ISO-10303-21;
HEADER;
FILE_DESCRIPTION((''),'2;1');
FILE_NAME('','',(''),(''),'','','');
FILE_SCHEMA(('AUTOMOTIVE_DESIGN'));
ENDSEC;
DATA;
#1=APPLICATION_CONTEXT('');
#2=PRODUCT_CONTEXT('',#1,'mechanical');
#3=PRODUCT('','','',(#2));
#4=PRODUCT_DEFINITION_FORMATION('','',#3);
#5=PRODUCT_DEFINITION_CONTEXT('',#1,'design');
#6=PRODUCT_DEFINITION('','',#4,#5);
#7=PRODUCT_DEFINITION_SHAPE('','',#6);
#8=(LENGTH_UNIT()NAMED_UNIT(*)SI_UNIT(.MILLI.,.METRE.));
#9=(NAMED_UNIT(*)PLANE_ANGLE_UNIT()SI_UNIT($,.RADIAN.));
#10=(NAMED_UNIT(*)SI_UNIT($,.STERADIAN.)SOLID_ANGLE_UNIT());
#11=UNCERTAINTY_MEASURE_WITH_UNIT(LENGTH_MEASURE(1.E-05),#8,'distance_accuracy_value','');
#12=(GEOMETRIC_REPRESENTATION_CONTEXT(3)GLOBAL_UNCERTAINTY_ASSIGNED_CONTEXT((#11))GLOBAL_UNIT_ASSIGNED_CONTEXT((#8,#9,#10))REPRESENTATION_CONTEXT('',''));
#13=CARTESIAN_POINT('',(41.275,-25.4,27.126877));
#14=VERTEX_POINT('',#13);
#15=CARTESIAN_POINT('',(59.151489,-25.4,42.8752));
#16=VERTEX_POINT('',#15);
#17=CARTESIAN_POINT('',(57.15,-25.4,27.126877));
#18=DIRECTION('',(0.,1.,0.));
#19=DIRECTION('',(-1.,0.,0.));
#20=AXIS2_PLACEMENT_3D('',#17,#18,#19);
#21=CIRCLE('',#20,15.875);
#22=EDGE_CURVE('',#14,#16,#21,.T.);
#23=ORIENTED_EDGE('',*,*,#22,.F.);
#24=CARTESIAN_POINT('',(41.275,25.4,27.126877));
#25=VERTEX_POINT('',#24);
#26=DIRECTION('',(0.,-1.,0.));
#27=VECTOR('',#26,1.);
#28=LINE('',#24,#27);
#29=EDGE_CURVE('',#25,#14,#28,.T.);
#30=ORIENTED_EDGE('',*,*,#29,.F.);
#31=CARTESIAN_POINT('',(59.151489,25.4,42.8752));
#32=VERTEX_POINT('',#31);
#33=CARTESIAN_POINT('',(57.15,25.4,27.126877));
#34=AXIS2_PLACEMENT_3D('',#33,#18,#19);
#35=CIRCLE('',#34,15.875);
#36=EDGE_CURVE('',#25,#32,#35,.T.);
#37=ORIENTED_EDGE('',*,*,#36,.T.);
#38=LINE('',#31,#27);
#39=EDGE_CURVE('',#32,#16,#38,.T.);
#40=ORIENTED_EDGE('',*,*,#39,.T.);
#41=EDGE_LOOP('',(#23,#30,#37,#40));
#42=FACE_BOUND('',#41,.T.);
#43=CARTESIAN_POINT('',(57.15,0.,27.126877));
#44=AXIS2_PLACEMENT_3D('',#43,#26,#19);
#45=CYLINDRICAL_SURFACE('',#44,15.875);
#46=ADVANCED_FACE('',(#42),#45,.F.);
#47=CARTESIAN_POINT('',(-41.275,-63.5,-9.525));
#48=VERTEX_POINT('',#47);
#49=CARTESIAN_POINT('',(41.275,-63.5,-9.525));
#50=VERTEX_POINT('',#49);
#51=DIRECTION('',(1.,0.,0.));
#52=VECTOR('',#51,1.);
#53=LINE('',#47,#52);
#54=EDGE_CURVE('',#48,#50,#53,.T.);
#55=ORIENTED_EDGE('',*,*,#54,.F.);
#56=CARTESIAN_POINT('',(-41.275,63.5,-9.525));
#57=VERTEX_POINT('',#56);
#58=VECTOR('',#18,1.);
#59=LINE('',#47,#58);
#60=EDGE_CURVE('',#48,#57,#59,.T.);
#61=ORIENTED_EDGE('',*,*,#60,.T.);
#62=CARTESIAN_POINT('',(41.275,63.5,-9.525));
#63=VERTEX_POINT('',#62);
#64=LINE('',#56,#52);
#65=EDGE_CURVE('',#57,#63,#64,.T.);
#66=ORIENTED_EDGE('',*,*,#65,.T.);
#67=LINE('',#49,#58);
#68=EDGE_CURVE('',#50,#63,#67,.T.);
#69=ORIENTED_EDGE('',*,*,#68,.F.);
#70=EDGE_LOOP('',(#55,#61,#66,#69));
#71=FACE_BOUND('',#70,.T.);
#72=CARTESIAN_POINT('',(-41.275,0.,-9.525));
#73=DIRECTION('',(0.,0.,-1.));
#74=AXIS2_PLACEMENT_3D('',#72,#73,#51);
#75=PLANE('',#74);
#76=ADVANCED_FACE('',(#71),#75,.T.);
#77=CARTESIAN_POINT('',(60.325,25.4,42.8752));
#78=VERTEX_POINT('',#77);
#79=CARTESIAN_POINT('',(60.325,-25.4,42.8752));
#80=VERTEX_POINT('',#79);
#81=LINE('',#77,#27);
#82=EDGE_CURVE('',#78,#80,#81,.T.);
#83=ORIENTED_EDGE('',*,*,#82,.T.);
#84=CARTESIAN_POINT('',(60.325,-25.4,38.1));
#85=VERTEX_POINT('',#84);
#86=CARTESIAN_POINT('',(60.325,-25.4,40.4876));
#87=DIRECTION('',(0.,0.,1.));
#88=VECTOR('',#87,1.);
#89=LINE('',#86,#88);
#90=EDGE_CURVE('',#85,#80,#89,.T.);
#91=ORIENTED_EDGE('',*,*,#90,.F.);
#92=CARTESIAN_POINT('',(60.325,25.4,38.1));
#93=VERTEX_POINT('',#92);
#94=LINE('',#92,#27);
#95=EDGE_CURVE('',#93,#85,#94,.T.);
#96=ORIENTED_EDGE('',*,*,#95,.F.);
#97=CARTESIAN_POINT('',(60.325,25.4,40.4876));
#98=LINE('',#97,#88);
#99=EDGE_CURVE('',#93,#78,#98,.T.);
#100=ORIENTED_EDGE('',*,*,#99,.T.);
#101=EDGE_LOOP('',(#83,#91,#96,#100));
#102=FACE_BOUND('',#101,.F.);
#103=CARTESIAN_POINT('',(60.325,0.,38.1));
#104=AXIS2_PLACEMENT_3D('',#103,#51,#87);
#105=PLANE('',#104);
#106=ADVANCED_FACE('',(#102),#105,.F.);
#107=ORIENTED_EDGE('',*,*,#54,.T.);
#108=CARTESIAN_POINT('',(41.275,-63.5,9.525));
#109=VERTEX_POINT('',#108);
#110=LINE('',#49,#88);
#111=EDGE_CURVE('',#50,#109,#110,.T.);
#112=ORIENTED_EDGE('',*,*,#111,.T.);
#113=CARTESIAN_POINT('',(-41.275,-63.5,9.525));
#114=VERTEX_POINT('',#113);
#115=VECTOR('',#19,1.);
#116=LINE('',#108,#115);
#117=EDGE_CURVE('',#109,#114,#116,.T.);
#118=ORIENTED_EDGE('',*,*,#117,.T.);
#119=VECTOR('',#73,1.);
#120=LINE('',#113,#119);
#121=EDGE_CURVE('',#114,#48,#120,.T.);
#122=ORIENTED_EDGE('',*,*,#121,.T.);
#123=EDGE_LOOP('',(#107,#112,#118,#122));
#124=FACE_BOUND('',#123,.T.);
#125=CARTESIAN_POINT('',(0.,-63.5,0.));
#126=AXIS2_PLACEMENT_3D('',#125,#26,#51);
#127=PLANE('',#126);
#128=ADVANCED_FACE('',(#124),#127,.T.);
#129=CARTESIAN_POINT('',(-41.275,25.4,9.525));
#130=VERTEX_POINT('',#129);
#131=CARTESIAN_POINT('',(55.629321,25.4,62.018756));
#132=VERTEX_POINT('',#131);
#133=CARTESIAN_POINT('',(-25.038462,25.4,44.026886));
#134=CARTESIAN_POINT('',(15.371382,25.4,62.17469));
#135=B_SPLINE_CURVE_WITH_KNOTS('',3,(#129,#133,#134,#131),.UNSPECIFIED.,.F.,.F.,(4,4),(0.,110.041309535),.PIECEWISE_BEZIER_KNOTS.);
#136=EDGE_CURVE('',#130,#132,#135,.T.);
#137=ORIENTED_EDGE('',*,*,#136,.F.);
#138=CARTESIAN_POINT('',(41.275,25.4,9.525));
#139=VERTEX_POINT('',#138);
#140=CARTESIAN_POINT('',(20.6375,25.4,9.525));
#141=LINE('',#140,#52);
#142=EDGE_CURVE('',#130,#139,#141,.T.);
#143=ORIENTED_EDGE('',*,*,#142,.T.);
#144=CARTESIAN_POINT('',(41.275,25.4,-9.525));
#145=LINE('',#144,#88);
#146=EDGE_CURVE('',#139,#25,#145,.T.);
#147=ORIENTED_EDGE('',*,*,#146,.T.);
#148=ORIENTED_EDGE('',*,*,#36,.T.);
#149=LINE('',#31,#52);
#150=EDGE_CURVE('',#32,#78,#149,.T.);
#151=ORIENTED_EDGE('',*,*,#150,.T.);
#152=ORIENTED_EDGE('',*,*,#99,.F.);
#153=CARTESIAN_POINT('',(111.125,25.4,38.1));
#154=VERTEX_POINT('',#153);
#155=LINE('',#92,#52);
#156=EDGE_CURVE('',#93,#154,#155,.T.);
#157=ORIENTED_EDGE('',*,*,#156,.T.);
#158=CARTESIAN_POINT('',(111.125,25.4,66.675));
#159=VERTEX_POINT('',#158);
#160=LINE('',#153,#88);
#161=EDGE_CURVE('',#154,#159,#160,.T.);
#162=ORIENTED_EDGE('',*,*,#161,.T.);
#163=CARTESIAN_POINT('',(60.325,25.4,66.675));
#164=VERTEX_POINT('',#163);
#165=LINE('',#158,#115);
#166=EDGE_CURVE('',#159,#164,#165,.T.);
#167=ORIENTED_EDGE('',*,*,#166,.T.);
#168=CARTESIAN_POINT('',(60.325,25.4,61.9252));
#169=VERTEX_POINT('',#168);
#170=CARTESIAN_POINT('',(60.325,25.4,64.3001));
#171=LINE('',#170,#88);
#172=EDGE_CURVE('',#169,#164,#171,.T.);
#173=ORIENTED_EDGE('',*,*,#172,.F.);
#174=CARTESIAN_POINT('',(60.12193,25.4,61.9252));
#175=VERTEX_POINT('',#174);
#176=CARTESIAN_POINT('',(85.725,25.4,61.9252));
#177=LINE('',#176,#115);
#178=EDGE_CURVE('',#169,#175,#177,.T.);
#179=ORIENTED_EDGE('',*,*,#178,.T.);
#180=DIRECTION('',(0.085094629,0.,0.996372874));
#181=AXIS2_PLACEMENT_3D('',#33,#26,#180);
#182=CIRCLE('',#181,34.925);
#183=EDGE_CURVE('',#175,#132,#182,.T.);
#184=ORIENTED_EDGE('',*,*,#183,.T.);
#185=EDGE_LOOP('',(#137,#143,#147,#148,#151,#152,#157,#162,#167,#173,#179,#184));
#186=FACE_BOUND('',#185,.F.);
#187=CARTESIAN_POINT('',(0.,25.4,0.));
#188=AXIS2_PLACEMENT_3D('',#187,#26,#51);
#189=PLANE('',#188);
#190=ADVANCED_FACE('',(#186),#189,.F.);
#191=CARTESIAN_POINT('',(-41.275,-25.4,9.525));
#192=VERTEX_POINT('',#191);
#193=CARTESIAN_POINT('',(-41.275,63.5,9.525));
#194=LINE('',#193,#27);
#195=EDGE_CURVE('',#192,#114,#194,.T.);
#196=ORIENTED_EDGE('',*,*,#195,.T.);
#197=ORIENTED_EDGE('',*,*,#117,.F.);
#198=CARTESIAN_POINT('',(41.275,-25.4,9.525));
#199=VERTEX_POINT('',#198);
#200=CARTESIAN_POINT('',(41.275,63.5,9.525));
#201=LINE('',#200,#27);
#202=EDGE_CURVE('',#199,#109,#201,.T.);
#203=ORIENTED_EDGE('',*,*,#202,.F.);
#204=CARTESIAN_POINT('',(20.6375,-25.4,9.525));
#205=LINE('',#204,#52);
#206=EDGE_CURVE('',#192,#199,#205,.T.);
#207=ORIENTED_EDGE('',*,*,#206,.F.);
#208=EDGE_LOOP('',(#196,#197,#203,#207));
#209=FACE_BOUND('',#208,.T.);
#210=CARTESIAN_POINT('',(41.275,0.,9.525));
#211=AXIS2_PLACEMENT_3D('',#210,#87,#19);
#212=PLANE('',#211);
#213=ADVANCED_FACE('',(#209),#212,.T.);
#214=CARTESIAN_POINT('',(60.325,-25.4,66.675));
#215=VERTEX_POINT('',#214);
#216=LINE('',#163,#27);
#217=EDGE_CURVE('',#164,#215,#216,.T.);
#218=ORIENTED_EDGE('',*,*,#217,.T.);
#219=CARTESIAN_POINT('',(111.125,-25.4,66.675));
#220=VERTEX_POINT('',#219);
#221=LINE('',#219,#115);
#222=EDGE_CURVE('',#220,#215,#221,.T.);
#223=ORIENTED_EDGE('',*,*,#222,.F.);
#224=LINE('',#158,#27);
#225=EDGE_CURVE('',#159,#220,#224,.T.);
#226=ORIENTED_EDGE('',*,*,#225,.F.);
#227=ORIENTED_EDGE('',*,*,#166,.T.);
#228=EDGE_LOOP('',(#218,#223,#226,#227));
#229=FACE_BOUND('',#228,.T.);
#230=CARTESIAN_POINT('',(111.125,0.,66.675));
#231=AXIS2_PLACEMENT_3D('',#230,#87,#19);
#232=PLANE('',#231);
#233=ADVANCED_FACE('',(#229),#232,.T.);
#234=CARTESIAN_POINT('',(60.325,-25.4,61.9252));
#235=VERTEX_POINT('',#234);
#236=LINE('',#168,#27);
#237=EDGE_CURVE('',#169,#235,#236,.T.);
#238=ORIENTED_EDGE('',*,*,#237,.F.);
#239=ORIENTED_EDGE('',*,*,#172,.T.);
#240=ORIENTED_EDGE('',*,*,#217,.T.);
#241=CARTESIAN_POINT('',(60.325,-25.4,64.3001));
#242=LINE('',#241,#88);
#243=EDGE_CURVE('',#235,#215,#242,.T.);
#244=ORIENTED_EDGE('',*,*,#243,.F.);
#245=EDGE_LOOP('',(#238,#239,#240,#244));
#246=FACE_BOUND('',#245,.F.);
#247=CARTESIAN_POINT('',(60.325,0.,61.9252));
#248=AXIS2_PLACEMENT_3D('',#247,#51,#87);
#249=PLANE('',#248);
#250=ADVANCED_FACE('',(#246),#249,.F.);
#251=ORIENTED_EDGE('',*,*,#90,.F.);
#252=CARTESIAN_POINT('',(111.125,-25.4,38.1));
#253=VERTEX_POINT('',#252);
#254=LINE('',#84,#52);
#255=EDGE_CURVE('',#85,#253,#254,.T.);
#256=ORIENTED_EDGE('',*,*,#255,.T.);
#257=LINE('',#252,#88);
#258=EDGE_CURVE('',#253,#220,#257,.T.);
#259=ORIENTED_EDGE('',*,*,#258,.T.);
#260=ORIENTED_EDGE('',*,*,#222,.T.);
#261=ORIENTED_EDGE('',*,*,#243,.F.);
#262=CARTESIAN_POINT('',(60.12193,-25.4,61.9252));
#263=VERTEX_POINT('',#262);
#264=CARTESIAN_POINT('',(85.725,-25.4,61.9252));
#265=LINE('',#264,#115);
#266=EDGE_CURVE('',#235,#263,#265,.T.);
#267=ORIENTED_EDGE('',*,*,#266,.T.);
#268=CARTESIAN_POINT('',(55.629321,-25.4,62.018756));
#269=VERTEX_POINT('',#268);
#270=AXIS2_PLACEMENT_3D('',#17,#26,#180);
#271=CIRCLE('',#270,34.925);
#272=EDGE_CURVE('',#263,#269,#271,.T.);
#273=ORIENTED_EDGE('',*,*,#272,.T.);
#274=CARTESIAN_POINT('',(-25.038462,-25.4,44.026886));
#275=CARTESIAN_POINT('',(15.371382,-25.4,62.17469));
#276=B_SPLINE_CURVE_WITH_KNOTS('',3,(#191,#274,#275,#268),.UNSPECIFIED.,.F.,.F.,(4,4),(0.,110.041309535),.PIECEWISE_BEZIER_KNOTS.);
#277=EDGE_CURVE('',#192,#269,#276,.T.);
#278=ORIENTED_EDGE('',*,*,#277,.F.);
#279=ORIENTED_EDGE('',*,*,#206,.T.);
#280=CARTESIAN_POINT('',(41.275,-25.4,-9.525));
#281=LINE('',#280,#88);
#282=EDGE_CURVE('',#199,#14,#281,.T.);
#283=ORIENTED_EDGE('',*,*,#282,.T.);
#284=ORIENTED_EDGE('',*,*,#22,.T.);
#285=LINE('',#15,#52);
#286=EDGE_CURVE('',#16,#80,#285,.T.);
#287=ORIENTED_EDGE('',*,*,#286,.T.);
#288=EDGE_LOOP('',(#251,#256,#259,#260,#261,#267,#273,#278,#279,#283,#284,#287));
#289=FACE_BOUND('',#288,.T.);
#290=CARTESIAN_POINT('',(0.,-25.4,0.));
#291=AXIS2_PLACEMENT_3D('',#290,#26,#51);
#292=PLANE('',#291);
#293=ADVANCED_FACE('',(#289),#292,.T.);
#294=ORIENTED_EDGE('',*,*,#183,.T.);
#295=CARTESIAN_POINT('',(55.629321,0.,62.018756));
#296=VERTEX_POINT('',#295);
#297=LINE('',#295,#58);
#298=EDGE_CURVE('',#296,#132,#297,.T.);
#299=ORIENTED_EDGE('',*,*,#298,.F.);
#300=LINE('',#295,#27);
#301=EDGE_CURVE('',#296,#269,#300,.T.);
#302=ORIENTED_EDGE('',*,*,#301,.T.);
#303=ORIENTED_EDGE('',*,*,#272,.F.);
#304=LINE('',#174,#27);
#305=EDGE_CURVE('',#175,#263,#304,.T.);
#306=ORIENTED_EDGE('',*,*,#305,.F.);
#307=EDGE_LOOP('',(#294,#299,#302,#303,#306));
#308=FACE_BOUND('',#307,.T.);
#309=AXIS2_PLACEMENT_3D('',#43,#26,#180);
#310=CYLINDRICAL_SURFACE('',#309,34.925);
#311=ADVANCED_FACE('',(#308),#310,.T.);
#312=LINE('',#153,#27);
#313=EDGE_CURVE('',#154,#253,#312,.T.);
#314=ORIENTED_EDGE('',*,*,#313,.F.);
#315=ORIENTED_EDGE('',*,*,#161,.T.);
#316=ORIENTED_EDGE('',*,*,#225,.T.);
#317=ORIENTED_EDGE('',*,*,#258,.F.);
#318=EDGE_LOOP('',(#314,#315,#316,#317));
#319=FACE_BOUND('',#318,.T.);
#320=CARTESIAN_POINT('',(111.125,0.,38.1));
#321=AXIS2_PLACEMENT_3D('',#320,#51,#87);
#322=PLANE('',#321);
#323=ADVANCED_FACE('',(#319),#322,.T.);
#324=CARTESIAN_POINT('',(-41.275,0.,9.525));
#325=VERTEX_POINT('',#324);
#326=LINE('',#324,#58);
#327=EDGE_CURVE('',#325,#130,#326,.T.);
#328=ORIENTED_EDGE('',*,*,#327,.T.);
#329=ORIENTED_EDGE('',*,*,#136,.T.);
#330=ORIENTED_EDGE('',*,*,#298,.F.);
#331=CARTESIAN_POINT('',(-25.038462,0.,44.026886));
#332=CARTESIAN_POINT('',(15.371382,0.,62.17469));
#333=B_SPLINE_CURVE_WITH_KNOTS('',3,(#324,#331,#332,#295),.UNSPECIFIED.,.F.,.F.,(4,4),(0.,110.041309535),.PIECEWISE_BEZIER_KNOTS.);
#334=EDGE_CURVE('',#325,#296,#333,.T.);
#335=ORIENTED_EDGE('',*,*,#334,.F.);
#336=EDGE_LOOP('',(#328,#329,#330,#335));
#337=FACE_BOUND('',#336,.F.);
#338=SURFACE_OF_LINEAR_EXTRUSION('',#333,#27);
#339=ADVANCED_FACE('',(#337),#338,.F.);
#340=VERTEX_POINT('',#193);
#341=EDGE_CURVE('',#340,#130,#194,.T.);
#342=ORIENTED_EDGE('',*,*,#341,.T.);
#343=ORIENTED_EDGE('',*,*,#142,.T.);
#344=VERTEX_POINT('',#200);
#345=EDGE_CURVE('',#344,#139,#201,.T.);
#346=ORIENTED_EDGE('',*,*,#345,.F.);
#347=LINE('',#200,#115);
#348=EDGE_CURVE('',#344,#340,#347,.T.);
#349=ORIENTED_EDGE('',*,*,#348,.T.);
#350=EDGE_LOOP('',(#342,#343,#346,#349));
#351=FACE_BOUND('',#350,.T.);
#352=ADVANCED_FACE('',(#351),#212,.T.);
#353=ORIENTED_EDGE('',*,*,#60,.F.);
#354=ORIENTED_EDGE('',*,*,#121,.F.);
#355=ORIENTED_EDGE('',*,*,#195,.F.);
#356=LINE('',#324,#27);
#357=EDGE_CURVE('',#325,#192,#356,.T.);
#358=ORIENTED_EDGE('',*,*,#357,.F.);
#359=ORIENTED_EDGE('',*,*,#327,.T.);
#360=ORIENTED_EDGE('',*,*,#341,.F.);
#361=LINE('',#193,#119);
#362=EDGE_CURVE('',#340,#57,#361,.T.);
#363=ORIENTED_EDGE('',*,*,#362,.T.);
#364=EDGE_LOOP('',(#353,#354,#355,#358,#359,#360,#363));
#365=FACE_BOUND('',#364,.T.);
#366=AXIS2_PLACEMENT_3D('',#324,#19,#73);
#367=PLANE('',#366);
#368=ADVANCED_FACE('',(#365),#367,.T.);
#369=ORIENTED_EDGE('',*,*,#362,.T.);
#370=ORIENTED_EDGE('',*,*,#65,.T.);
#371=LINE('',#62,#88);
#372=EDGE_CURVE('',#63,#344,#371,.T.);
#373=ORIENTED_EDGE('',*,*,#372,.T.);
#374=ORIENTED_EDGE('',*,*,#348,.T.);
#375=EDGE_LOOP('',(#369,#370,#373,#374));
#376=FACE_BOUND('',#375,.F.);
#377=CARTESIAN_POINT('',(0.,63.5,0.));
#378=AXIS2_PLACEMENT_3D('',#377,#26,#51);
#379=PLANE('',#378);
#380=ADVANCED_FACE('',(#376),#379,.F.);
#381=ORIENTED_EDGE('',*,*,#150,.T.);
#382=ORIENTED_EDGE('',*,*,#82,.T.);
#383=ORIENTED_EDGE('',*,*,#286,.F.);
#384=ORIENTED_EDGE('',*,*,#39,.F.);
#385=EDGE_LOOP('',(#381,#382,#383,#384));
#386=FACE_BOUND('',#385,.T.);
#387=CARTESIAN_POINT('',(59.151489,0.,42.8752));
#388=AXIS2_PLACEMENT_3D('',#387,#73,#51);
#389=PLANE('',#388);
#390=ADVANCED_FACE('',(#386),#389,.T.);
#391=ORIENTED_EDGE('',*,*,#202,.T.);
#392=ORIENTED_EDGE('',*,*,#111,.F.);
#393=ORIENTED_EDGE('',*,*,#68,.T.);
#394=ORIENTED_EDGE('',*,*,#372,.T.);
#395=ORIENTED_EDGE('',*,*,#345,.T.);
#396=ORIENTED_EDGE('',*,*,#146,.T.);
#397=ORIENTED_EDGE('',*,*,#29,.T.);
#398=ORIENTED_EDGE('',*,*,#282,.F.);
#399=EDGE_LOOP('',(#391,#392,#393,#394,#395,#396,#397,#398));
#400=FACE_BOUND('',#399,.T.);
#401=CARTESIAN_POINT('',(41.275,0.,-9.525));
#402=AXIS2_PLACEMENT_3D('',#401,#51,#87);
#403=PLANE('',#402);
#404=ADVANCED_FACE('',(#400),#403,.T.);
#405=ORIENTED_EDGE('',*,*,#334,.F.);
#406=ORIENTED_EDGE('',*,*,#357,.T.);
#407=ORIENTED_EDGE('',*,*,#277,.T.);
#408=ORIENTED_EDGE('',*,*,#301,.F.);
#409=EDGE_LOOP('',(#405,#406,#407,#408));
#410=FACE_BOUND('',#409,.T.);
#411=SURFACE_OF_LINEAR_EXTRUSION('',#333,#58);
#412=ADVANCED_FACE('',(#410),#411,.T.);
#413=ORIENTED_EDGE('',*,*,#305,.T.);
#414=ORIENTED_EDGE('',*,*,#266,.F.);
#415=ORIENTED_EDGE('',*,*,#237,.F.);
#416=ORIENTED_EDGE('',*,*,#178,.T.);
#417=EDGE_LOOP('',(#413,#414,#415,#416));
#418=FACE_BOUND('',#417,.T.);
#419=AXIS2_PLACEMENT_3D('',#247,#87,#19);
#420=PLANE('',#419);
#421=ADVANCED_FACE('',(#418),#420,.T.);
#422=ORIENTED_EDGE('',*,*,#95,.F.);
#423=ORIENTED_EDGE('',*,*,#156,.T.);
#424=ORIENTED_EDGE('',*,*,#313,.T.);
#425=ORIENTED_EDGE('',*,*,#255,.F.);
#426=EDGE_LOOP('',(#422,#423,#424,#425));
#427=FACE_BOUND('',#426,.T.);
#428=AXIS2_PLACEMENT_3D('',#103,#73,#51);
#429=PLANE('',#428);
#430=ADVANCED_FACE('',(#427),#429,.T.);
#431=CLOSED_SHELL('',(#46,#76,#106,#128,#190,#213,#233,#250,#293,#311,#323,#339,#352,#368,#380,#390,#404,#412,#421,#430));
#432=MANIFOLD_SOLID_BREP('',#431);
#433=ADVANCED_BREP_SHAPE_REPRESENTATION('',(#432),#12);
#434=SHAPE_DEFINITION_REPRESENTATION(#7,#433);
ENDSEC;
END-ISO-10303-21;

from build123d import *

# Parameters (mm, degrees)
F1_DEPTH = 63.5
F0_W     = 25.4
F0_H     = 4.7752
F0_H_2   = 19.05
F0_H_3   = 4.7498
F2_DEPTH = 25.4


with BuildPart() as f1:
    # F0 (on Front) → F1 (new body, symmetric)
    with BuildSketch(Plane.XZ):
        Polygon((41.275, -9.525), (41.275, 9.525), (22.225, 9.525), (-41.275, 9.525), (-41.275, -9.525), align=None)
    extrude(amount=F1_DEPTH, both=True)

    # F0 (on Front) → F2 (join, symmetric)
    with BuildSketch(Plane.XZ):
        Polygon((41.275, -9.525), (41.275, 9.525), (22.225, 9.525), (-41.275, 9.525), (-41.275, -9.525), align=None)
        with BuildLine():
            Line((22.225, 9.525), (41.275, 9.525))
            Line((41.275, 9.525), (41.275, 27.1268773741))
            ThreePointArc((41.275, 27.1268773741), (46.6561450803, 39.0388307792), (59.1514893133, 42.8752))
            Line((59.1514893133, 42.8752), (60.325, 42.8752))
            Line((60.325, 42.8752), (60.325, 61.9252))
            Line((60.325, 61.9252), (60.121929916, 61.9252))
            add(Edge.make_bspline(
                [(55.6293208142, 62.0187555095), (57.127485442, 62.0129525409), (58.6254396967, 61.9818008646), (60.121929916, 61.9252)],
                knots=[110.0413095345, 110.0413095345, 110.0413095345, 110.0413095345, 114.1364024158, 114.1364024158, 114.1364024158, 114.1364024158], degree=3))
            ThreePointArc((55.6293208142, 62.0187555095), (31.9223827367, 51.2789570407), (22.225, 27.1268773741))
            Line((22.225, 27.1268773741), (22.225, 9.525))
        make_face()
        with BuildLine():
            Line((-41.275, 9.525), (22.225, 9.525))
            Line((22.225, 9.525), (22.225, 27.1268773741))
            ThreePointArc((22.225, 27.1268773741), (31.9223827367, 51.2789570407), (55.6293208142, 62.0187555095))
            add(Edge.make_bspline(
                [(-41.275, 9.525), (-25.0384619127, 44.0268856749), (15.3713822736, 62.1746900101), (55.6293208142, 62.0187555095)],
                knots=[0, 0, 0, 0, 110.0413095345, 110.0413095345, 110.0413095345, 110.0413095345], degree=3))
        make_face()
        with BuildLine():
            ThreePointArc((60.121929916, 61.9252), (57.877131576, 62.0443071861), (55.6293208142, 62.0187555095))
            add(Edge.make_bspline(
                [(55.6293208142, 62.0187555095), (57.127485442, 62.0129525409), (58.6254396967, 61.9818008646), (60.121929916, 61.9252)],
                knots=[110.0413095345, 110.0413095345, 110.0413095345, 110.0413095345, 114.1364024158, 114.1364024158, 114.1364024158, 114.1364024158], degree=3))
        make_face()
        with Locations((73.025, 40.4876)):
            Rectangle(F0_W, F0_H)
        with Locations((73.025, 52.4002)):
            Rectangle(F0_W, F0_H_2)
        with Locations((73.025, 64.3001)):
            Rectangle(F0_W, F0_H_3)
        Polygon((85.725, 61.9252), (85.725, 42.8752), (85.725, 38.1), (111.125, 38.1), (111.125, 66.675), (85.725, 66.675), align=None)
    extrude(amount=F2_DEPTH, both=True)


solid = f1.part
